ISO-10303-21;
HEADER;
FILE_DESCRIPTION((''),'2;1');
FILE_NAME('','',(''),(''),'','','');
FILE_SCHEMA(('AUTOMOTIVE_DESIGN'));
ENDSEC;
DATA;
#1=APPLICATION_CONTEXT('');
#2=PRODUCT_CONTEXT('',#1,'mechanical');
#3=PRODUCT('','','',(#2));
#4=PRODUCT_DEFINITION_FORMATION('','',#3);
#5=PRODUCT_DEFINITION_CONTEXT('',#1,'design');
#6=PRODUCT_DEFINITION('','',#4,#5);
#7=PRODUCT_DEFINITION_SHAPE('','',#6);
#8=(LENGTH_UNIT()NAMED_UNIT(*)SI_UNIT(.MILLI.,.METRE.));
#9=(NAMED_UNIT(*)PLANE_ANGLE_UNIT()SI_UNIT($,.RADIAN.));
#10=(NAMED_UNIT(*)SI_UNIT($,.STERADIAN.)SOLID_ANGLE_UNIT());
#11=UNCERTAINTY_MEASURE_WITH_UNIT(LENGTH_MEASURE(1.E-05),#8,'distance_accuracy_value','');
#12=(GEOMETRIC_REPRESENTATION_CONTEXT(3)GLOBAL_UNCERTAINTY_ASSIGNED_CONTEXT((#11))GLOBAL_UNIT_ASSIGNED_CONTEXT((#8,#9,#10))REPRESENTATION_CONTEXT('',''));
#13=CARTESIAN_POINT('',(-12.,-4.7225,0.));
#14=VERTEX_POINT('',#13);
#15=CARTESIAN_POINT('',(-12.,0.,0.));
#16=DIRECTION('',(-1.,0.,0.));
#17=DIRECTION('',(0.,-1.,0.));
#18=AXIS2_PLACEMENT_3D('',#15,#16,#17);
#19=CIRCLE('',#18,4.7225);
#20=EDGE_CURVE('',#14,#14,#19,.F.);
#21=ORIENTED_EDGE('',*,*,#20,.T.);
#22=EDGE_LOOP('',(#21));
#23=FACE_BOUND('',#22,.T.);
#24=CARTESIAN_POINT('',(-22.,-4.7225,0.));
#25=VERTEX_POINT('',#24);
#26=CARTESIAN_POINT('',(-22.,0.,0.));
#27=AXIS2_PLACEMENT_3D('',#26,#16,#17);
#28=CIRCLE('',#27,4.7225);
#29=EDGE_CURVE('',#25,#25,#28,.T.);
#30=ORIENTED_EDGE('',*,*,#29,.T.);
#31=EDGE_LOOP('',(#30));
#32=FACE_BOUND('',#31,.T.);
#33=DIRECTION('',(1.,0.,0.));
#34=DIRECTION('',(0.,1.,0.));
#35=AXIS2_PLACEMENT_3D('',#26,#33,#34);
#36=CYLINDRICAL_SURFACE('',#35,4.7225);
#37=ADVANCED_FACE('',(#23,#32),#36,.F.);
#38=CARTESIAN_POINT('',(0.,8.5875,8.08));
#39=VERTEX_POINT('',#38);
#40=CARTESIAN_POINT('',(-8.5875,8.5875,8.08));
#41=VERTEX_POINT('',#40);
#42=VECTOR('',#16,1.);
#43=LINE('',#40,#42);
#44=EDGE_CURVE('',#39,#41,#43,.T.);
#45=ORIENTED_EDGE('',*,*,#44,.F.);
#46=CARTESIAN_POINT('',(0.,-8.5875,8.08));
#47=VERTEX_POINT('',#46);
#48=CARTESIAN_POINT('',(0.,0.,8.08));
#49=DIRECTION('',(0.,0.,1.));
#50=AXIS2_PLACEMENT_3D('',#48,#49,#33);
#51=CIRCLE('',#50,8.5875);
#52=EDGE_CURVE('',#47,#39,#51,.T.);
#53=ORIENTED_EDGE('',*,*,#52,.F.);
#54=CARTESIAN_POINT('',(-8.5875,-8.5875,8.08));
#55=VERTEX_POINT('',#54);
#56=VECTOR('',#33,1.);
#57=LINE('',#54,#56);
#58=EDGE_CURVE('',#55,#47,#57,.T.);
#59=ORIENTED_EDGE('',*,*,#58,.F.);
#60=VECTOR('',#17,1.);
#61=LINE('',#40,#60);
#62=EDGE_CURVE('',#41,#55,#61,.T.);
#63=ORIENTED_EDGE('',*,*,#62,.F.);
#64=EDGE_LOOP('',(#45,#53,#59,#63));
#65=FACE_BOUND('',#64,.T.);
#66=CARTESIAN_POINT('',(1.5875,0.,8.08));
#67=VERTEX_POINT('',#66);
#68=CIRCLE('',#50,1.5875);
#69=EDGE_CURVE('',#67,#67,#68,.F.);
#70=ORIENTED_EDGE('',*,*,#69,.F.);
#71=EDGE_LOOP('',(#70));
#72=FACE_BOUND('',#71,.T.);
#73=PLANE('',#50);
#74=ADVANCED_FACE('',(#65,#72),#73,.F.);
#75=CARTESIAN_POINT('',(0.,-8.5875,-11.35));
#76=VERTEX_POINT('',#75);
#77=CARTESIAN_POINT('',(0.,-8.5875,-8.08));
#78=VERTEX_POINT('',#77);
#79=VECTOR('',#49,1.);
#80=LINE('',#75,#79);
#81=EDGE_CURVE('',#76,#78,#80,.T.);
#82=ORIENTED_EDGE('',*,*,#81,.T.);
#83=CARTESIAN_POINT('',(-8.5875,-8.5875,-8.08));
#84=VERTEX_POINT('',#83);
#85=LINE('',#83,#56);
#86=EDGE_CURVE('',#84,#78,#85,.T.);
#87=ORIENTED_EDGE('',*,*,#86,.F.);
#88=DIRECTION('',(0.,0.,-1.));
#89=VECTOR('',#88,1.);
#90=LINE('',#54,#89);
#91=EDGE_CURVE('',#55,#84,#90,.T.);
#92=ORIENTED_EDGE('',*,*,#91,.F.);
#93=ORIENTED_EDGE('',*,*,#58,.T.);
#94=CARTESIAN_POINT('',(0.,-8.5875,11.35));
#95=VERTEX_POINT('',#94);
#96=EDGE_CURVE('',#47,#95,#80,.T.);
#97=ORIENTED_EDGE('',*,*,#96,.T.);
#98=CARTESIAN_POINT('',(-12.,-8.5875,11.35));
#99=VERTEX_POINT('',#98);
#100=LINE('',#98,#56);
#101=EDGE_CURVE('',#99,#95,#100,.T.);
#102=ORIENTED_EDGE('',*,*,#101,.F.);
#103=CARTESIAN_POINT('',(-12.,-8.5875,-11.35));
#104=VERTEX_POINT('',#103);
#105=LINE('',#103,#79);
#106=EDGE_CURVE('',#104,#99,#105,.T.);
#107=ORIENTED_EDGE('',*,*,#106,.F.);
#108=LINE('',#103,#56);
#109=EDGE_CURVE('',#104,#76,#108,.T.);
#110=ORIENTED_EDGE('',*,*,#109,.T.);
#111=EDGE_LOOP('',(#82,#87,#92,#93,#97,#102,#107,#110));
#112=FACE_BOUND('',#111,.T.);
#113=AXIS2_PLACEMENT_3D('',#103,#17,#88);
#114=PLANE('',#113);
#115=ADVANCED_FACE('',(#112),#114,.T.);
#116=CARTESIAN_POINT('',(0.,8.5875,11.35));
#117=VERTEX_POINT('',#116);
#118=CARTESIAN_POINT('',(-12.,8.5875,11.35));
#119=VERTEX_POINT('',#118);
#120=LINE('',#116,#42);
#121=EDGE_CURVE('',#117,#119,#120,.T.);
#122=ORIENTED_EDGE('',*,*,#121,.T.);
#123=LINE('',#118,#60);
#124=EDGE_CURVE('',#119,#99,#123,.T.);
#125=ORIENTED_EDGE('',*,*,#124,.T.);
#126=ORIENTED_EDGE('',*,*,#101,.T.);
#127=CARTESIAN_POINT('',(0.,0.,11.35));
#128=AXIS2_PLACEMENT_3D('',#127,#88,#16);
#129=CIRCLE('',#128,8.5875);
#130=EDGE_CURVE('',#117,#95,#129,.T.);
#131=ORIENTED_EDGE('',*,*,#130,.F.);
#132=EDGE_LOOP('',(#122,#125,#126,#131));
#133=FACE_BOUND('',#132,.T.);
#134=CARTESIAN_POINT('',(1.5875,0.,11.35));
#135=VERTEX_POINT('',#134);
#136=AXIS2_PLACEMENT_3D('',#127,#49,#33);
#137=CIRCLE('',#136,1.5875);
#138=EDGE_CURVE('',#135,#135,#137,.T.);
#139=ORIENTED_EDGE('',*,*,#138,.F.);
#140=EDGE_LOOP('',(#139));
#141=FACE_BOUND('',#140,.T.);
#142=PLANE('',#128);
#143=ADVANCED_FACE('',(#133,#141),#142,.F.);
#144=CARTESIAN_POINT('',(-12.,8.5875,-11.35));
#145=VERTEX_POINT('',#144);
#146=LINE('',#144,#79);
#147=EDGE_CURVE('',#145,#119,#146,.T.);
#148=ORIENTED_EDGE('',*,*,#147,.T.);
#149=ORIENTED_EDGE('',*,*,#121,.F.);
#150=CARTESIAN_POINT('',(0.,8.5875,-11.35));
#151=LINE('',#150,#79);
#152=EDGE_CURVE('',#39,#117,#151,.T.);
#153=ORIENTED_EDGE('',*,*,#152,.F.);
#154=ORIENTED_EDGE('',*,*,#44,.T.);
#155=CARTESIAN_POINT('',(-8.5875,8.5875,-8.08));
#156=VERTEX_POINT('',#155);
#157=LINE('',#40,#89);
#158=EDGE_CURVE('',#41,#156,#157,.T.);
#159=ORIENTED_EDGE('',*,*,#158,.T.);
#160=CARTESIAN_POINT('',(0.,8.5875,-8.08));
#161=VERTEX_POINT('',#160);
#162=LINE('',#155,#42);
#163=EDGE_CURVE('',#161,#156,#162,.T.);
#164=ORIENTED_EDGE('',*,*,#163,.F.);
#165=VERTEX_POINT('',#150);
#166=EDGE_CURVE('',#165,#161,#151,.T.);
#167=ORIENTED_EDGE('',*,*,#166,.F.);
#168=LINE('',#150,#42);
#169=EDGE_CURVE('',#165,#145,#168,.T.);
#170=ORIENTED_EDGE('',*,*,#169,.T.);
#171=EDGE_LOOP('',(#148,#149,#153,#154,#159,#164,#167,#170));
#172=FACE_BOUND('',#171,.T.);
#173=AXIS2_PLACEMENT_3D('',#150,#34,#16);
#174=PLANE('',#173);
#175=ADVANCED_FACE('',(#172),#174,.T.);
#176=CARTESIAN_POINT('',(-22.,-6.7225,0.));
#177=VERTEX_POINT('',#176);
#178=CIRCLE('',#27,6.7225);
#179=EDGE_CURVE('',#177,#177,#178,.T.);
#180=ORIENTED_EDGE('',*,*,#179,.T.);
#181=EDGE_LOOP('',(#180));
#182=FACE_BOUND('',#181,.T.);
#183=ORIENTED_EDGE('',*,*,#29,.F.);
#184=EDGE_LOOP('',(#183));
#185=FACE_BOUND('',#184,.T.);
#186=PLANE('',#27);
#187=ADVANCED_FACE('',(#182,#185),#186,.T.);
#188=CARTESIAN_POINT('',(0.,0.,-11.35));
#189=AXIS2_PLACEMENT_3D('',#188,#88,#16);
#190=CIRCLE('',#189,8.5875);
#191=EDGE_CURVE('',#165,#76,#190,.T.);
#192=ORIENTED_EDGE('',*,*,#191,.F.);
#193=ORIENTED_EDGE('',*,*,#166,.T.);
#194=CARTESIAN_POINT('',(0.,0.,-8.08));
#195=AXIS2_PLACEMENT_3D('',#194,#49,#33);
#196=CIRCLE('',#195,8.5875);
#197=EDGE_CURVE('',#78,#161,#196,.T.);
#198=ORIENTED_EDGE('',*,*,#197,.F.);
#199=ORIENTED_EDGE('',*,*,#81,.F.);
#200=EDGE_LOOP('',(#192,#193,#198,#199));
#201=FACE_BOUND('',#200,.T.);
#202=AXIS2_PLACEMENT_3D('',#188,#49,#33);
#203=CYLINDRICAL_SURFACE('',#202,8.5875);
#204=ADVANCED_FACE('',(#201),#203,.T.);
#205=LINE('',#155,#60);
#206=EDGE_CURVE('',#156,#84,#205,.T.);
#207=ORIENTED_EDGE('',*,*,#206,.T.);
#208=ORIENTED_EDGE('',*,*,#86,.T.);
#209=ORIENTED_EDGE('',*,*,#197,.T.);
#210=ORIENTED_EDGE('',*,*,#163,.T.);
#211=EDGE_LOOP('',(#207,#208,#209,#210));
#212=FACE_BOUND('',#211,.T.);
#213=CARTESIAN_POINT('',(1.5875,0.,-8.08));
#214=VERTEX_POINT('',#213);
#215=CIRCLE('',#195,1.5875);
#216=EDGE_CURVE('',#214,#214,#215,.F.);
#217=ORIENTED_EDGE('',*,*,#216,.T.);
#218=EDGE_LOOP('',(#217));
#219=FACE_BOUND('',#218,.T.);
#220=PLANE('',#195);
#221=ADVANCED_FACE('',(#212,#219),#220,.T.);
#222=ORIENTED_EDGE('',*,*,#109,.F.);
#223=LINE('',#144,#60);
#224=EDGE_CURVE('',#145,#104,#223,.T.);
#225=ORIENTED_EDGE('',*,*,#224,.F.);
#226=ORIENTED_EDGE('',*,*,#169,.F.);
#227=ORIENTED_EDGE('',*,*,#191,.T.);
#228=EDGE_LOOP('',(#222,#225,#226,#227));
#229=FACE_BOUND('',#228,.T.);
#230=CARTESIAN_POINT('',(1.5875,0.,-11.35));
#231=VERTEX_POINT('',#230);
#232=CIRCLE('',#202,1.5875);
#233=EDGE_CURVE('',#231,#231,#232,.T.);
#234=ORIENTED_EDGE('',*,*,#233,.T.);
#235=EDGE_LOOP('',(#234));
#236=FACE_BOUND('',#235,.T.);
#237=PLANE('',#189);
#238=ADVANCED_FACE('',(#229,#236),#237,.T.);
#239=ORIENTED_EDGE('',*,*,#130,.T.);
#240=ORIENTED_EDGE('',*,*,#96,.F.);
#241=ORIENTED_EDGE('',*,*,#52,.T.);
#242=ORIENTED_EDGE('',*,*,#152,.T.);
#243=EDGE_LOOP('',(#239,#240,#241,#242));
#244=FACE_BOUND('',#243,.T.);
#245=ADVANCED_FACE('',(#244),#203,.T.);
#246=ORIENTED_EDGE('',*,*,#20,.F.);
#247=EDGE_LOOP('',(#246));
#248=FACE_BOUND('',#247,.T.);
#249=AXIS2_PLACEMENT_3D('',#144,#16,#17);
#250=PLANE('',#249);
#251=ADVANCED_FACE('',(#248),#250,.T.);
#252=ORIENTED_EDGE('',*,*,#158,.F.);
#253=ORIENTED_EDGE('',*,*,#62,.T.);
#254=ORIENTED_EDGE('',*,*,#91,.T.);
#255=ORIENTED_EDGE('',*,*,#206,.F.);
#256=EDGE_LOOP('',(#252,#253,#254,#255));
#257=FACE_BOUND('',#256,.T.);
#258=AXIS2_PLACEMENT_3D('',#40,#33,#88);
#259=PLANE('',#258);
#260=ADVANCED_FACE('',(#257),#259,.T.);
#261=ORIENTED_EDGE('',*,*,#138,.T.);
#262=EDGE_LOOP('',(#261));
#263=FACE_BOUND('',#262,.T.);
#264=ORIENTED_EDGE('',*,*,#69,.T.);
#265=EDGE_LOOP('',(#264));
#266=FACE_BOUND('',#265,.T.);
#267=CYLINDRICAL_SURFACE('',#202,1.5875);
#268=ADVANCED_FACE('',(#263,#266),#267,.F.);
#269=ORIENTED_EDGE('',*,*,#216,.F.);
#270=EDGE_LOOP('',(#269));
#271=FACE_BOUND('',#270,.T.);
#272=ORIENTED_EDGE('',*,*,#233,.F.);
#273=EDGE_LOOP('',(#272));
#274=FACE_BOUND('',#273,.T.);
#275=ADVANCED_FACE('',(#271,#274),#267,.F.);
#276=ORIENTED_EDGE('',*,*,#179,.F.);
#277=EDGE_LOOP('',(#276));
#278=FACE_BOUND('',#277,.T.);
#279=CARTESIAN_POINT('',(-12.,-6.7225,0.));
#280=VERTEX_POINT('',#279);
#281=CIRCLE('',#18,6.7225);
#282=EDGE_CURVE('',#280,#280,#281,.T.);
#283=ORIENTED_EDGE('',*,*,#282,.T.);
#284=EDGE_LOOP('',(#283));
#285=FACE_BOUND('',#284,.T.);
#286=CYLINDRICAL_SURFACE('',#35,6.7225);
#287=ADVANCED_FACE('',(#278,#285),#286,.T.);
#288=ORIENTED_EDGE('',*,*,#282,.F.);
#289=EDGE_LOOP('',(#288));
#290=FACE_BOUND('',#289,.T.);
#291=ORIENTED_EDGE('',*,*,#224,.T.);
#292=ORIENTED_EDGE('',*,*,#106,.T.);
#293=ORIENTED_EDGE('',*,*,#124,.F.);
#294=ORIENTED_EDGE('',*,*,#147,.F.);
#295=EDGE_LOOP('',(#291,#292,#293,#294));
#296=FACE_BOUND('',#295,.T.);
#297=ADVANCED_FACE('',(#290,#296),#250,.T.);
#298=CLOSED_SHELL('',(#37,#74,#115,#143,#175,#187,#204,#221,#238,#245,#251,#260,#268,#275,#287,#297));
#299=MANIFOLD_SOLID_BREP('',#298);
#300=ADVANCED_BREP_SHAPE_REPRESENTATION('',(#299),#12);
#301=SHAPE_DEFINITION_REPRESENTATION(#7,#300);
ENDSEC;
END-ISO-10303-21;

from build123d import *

# Parameters (mm, degrees)
BOSS_EXTRUDE2_DEPTH      = 11.35
BOSS_EXTRUDE2_DEPTH_BACK = 11.35
SKETCH1_R                = 1.5875
CUT_EXTRUDE1_DEPTH       = 8.08
CUT_EXTRUDE1_DEPTH_BACK  = 8.08
SKETCH3_W                = 17.175
SKETCH3_H                = 17.175
SKETCH4_R                = 6.7225
SKETCH4_R_2              = 4.7225
BOSS_EXTRUDE4_DEPTH      = 10


with BuildPart() as part:
    # Sketch1 → Boss-Extrude2 (new, two sides: drawn at the far end of the back side and taken through both)
    with BuildSketch(Plane.XY.offset(-BOSS_EXTRUDE2_DEPTH_BACK)):
        with BuildLine():
            Line((0, 8.5875), (-12, 8.5875))
            Line((-12, 8.5875), (-12, -8.5875))
            Line((-12, -8.5875), (0, -8.5875))
            ThreePointArc((0, -8.5875), (8.5875, 0), (0, 8.5875))
        make_face()
        Circle(SKETCH1_R, mode=Mode.SUBTRACT)
    extrude(amount=BOSS_EXTRUDE2_DEPTH + BOSS_EXTRUDE2_DEPTH_BACK)

    # Sketch3 → Cut-Extrude1 (cut, two sides: drawn at the far end of the back side and taken through both)
    with BuildSketch(Plane.XY.offset(-CUT_EXTRUDE1_DEPTH_BACK)):
        Rectangle(SKETCH3_W, SKETCH3_H)
    extrude(amount=CUT_EXTRUDE1_DEPTH + CUT_EXTRUDE1_DEPTH_BACK, mode=Mode.SUBTRACT)

    # Sketch4 → Boss-Extrude4 (add)
    with BuildSketch(Plane.ZY.offset(12)):
        Circle(SKETCH4_R)
        Circle(SKETCH4_R_2, mode=Mode.SUBTRACT)
    extrude(amount=BOSS_EXTRUDE4_DEPTH)


solid = part.part
